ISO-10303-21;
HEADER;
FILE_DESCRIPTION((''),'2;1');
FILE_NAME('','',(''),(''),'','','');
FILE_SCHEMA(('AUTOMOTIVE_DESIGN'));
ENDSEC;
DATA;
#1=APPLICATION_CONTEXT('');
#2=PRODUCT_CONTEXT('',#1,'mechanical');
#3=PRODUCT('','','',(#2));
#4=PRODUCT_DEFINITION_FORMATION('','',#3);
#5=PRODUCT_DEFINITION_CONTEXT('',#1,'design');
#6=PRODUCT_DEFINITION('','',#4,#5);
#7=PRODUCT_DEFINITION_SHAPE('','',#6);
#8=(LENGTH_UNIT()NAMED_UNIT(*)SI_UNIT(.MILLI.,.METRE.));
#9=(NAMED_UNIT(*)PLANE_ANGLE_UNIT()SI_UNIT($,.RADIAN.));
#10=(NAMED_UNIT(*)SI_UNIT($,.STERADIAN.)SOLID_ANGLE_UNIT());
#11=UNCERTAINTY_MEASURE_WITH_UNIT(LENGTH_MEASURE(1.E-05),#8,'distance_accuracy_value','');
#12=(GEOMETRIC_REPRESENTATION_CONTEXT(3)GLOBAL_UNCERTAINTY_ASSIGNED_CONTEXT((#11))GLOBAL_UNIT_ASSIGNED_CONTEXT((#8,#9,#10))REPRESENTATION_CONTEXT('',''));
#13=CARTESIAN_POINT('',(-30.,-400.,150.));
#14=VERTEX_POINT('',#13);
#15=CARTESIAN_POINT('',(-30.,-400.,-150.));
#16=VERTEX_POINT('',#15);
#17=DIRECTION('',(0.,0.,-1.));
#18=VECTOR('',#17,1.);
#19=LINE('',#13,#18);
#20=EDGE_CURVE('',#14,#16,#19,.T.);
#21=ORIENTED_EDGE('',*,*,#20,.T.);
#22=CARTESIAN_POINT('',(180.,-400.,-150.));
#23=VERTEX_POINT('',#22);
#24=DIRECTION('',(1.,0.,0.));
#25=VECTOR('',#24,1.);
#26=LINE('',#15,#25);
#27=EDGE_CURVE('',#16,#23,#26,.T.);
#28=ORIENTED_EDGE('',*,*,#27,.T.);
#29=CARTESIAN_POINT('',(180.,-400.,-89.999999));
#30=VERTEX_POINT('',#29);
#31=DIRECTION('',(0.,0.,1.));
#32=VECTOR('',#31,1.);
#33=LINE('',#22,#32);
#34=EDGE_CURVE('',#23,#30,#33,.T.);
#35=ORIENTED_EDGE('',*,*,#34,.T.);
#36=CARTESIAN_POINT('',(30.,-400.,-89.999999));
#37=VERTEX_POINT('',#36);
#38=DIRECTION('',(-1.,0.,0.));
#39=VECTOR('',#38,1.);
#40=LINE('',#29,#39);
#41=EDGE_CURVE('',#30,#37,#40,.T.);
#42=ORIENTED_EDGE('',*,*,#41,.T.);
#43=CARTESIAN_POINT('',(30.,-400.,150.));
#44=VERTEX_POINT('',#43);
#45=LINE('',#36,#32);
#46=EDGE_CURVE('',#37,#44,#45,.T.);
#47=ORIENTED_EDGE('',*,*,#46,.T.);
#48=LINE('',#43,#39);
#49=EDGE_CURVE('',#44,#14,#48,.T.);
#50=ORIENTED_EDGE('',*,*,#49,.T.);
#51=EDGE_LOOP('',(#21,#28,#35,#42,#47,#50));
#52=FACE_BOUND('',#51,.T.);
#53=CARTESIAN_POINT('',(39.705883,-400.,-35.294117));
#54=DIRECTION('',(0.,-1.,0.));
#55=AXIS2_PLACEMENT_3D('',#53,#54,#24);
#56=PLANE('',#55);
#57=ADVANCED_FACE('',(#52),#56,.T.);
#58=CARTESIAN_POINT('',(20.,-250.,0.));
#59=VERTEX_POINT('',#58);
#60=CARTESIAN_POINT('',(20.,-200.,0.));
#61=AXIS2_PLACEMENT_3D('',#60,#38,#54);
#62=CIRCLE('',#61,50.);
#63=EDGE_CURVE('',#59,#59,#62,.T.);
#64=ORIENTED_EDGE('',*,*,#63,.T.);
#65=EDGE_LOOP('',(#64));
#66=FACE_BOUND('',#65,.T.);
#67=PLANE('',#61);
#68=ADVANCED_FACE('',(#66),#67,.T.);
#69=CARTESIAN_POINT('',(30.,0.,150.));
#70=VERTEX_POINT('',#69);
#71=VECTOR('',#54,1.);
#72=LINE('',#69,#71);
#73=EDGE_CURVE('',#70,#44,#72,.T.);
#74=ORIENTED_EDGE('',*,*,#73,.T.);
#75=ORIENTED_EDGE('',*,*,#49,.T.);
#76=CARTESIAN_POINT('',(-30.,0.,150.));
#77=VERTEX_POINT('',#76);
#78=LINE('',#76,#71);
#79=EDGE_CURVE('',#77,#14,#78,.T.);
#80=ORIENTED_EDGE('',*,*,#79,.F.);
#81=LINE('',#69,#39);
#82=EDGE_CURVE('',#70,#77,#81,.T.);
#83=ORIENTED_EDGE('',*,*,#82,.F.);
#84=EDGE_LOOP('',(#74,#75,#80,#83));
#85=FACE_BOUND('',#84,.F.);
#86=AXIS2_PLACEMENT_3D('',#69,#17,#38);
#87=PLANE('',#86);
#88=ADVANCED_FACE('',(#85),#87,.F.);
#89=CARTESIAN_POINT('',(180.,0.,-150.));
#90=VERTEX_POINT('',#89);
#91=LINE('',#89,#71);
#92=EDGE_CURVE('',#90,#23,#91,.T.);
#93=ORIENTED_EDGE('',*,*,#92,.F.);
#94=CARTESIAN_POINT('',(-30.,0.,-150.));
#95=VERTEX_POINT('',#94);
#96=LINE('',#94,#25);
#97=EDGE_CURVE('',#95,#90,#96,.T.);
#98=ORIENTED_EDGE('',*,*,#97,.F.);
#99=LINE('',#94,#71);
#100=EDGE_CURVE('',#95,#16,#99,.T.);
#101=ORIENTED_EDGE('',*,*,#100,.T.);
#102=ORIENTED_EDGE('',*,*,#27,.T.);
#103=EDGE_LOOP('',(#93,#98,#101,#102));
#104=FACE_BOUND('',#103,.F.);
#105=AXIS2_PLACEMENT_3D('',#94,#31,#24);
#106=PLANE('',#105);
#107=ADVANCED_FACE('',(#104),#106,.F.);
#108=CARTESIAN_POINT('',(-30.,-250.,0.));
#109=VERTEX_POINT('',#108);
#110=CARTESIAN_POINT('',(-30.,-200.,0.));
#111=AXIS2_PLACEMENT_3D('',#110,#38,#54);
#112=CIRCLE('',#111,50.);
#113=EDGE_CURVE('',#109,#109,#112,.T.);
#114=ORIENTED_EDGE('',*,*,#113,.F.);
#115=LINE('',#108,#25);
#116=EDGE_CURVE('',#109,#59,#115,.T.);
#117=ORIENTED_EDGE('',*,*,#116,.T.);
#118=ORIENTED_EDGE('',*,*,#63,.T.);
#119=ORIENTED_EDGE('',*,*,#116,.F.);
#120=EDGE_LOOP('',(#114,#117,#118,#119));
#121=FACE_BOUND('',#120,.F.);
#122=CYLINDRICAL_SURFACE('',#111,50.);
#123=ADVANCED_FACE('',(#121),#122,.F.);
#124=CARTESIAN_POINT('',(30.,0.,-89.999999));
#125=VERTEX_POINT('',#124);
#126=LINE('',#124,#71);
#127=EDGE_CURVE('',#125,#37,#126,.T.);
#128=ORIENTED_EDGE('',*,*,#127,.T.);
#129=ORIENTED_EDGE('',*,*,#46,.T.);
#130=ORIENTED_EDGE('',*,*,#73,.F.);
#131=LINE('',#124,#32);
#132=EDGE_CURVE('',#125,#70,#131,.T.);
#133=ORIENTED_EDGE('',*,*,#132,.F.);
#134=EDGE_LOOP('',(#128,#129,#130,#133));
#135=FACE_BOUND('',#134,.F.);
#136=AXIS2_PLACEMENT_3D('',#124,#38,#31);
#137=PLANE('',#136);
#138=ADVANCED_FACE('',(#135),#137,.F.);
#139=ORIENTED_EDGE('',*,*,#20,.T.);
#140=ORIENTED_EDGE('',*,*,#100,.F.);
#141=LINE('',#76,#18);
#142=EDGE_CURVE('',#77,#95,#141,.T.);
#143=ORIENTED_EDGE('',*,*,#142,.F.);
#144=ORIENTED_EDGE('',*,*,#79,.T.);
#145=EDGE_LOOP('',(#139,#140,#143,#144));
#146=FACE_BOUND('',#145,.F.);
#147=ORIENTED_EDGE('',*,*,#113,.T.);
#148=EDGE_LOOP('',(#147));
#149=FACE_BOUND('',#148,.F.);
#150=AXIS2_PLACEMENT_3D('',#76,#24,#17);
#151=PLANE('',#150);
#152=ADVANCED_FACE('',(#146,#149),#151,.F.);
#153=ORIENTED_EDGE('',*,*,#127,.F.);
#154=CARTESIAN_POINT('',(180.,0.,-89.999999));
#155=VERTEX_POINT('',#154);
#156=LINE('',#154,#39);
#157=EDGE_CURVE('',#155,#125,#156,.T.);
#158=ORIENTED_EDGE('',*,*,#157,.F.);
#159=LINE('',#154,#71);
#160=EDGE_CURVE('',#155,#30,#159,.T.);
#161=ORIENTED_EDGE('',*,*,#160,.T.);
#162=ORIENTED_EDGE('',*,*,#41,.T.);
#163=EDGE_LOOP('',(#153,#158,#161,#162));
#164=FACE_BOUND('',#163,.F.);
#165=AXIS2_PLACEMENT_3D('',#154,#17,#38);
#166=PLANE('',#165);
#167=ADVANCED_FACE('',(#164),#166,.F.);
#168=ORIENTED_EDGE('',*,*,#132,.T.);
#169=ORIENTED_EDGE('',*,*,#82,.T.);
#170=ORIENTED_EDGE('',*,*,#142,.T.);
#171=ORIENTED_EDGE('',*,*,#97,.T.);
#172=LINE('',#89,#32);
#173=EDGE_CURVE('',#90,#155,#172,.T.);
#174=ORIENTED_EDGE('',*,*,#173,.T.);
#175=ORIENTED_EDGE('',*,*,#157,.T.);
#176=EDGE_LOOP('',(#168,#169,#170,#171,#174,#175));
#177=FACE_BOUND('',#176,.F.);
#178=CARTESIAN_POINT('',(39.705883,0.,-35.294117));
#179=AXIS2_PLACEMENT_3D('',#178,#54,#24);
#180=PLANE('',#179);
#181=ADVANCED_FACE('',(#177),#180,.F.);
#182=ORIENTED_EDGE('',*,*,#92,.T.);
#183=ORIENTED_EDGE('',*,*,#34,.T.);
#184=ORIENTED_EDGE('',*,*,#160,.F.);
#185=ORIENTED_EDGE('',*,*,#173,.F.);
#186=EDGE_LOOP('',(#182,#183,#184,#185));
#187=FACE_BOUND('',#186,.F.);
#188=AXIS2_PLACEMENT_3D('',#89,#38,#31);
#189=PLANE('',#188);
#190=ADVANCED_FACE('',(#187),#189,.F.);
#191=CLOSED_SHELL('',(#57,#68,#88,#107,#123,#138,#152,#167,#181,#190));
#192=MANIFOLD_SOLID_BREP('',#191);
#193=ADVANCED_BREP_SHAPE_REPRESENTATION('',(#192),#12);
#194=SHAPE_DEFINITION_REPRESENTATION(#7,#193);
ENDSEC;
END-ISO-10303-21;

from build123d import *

# Parameters (mm, degrees)
F1_DEPTH = 400
F2_R     = 50
F3_DEPTH = 50


with BuildPart() as f1:
    # F0 (on Front) → F1 (new body)
    with BuildSketch(Plane.XZ):
        Polygon((-30, -150), (30, -150), (180, -150), (180, -89.999999), (30, -89.999999), (30, 150), (-30, 150), align=None)
    extrude(amount=F1_DEPTH)

    # F2 (on face) → F3 (cut)
    with BuildSketch(Plane(origin=(-30, 0, 0), x_dir=(0, -1, 0), z_dir=(-1, 0, 0))):
        with Locations((200, 0)):
            Circle(F2_R)
    extrude(amount=-F3_DEPTH, mode=Mode.SUBTRACT)


solid = f1.part
